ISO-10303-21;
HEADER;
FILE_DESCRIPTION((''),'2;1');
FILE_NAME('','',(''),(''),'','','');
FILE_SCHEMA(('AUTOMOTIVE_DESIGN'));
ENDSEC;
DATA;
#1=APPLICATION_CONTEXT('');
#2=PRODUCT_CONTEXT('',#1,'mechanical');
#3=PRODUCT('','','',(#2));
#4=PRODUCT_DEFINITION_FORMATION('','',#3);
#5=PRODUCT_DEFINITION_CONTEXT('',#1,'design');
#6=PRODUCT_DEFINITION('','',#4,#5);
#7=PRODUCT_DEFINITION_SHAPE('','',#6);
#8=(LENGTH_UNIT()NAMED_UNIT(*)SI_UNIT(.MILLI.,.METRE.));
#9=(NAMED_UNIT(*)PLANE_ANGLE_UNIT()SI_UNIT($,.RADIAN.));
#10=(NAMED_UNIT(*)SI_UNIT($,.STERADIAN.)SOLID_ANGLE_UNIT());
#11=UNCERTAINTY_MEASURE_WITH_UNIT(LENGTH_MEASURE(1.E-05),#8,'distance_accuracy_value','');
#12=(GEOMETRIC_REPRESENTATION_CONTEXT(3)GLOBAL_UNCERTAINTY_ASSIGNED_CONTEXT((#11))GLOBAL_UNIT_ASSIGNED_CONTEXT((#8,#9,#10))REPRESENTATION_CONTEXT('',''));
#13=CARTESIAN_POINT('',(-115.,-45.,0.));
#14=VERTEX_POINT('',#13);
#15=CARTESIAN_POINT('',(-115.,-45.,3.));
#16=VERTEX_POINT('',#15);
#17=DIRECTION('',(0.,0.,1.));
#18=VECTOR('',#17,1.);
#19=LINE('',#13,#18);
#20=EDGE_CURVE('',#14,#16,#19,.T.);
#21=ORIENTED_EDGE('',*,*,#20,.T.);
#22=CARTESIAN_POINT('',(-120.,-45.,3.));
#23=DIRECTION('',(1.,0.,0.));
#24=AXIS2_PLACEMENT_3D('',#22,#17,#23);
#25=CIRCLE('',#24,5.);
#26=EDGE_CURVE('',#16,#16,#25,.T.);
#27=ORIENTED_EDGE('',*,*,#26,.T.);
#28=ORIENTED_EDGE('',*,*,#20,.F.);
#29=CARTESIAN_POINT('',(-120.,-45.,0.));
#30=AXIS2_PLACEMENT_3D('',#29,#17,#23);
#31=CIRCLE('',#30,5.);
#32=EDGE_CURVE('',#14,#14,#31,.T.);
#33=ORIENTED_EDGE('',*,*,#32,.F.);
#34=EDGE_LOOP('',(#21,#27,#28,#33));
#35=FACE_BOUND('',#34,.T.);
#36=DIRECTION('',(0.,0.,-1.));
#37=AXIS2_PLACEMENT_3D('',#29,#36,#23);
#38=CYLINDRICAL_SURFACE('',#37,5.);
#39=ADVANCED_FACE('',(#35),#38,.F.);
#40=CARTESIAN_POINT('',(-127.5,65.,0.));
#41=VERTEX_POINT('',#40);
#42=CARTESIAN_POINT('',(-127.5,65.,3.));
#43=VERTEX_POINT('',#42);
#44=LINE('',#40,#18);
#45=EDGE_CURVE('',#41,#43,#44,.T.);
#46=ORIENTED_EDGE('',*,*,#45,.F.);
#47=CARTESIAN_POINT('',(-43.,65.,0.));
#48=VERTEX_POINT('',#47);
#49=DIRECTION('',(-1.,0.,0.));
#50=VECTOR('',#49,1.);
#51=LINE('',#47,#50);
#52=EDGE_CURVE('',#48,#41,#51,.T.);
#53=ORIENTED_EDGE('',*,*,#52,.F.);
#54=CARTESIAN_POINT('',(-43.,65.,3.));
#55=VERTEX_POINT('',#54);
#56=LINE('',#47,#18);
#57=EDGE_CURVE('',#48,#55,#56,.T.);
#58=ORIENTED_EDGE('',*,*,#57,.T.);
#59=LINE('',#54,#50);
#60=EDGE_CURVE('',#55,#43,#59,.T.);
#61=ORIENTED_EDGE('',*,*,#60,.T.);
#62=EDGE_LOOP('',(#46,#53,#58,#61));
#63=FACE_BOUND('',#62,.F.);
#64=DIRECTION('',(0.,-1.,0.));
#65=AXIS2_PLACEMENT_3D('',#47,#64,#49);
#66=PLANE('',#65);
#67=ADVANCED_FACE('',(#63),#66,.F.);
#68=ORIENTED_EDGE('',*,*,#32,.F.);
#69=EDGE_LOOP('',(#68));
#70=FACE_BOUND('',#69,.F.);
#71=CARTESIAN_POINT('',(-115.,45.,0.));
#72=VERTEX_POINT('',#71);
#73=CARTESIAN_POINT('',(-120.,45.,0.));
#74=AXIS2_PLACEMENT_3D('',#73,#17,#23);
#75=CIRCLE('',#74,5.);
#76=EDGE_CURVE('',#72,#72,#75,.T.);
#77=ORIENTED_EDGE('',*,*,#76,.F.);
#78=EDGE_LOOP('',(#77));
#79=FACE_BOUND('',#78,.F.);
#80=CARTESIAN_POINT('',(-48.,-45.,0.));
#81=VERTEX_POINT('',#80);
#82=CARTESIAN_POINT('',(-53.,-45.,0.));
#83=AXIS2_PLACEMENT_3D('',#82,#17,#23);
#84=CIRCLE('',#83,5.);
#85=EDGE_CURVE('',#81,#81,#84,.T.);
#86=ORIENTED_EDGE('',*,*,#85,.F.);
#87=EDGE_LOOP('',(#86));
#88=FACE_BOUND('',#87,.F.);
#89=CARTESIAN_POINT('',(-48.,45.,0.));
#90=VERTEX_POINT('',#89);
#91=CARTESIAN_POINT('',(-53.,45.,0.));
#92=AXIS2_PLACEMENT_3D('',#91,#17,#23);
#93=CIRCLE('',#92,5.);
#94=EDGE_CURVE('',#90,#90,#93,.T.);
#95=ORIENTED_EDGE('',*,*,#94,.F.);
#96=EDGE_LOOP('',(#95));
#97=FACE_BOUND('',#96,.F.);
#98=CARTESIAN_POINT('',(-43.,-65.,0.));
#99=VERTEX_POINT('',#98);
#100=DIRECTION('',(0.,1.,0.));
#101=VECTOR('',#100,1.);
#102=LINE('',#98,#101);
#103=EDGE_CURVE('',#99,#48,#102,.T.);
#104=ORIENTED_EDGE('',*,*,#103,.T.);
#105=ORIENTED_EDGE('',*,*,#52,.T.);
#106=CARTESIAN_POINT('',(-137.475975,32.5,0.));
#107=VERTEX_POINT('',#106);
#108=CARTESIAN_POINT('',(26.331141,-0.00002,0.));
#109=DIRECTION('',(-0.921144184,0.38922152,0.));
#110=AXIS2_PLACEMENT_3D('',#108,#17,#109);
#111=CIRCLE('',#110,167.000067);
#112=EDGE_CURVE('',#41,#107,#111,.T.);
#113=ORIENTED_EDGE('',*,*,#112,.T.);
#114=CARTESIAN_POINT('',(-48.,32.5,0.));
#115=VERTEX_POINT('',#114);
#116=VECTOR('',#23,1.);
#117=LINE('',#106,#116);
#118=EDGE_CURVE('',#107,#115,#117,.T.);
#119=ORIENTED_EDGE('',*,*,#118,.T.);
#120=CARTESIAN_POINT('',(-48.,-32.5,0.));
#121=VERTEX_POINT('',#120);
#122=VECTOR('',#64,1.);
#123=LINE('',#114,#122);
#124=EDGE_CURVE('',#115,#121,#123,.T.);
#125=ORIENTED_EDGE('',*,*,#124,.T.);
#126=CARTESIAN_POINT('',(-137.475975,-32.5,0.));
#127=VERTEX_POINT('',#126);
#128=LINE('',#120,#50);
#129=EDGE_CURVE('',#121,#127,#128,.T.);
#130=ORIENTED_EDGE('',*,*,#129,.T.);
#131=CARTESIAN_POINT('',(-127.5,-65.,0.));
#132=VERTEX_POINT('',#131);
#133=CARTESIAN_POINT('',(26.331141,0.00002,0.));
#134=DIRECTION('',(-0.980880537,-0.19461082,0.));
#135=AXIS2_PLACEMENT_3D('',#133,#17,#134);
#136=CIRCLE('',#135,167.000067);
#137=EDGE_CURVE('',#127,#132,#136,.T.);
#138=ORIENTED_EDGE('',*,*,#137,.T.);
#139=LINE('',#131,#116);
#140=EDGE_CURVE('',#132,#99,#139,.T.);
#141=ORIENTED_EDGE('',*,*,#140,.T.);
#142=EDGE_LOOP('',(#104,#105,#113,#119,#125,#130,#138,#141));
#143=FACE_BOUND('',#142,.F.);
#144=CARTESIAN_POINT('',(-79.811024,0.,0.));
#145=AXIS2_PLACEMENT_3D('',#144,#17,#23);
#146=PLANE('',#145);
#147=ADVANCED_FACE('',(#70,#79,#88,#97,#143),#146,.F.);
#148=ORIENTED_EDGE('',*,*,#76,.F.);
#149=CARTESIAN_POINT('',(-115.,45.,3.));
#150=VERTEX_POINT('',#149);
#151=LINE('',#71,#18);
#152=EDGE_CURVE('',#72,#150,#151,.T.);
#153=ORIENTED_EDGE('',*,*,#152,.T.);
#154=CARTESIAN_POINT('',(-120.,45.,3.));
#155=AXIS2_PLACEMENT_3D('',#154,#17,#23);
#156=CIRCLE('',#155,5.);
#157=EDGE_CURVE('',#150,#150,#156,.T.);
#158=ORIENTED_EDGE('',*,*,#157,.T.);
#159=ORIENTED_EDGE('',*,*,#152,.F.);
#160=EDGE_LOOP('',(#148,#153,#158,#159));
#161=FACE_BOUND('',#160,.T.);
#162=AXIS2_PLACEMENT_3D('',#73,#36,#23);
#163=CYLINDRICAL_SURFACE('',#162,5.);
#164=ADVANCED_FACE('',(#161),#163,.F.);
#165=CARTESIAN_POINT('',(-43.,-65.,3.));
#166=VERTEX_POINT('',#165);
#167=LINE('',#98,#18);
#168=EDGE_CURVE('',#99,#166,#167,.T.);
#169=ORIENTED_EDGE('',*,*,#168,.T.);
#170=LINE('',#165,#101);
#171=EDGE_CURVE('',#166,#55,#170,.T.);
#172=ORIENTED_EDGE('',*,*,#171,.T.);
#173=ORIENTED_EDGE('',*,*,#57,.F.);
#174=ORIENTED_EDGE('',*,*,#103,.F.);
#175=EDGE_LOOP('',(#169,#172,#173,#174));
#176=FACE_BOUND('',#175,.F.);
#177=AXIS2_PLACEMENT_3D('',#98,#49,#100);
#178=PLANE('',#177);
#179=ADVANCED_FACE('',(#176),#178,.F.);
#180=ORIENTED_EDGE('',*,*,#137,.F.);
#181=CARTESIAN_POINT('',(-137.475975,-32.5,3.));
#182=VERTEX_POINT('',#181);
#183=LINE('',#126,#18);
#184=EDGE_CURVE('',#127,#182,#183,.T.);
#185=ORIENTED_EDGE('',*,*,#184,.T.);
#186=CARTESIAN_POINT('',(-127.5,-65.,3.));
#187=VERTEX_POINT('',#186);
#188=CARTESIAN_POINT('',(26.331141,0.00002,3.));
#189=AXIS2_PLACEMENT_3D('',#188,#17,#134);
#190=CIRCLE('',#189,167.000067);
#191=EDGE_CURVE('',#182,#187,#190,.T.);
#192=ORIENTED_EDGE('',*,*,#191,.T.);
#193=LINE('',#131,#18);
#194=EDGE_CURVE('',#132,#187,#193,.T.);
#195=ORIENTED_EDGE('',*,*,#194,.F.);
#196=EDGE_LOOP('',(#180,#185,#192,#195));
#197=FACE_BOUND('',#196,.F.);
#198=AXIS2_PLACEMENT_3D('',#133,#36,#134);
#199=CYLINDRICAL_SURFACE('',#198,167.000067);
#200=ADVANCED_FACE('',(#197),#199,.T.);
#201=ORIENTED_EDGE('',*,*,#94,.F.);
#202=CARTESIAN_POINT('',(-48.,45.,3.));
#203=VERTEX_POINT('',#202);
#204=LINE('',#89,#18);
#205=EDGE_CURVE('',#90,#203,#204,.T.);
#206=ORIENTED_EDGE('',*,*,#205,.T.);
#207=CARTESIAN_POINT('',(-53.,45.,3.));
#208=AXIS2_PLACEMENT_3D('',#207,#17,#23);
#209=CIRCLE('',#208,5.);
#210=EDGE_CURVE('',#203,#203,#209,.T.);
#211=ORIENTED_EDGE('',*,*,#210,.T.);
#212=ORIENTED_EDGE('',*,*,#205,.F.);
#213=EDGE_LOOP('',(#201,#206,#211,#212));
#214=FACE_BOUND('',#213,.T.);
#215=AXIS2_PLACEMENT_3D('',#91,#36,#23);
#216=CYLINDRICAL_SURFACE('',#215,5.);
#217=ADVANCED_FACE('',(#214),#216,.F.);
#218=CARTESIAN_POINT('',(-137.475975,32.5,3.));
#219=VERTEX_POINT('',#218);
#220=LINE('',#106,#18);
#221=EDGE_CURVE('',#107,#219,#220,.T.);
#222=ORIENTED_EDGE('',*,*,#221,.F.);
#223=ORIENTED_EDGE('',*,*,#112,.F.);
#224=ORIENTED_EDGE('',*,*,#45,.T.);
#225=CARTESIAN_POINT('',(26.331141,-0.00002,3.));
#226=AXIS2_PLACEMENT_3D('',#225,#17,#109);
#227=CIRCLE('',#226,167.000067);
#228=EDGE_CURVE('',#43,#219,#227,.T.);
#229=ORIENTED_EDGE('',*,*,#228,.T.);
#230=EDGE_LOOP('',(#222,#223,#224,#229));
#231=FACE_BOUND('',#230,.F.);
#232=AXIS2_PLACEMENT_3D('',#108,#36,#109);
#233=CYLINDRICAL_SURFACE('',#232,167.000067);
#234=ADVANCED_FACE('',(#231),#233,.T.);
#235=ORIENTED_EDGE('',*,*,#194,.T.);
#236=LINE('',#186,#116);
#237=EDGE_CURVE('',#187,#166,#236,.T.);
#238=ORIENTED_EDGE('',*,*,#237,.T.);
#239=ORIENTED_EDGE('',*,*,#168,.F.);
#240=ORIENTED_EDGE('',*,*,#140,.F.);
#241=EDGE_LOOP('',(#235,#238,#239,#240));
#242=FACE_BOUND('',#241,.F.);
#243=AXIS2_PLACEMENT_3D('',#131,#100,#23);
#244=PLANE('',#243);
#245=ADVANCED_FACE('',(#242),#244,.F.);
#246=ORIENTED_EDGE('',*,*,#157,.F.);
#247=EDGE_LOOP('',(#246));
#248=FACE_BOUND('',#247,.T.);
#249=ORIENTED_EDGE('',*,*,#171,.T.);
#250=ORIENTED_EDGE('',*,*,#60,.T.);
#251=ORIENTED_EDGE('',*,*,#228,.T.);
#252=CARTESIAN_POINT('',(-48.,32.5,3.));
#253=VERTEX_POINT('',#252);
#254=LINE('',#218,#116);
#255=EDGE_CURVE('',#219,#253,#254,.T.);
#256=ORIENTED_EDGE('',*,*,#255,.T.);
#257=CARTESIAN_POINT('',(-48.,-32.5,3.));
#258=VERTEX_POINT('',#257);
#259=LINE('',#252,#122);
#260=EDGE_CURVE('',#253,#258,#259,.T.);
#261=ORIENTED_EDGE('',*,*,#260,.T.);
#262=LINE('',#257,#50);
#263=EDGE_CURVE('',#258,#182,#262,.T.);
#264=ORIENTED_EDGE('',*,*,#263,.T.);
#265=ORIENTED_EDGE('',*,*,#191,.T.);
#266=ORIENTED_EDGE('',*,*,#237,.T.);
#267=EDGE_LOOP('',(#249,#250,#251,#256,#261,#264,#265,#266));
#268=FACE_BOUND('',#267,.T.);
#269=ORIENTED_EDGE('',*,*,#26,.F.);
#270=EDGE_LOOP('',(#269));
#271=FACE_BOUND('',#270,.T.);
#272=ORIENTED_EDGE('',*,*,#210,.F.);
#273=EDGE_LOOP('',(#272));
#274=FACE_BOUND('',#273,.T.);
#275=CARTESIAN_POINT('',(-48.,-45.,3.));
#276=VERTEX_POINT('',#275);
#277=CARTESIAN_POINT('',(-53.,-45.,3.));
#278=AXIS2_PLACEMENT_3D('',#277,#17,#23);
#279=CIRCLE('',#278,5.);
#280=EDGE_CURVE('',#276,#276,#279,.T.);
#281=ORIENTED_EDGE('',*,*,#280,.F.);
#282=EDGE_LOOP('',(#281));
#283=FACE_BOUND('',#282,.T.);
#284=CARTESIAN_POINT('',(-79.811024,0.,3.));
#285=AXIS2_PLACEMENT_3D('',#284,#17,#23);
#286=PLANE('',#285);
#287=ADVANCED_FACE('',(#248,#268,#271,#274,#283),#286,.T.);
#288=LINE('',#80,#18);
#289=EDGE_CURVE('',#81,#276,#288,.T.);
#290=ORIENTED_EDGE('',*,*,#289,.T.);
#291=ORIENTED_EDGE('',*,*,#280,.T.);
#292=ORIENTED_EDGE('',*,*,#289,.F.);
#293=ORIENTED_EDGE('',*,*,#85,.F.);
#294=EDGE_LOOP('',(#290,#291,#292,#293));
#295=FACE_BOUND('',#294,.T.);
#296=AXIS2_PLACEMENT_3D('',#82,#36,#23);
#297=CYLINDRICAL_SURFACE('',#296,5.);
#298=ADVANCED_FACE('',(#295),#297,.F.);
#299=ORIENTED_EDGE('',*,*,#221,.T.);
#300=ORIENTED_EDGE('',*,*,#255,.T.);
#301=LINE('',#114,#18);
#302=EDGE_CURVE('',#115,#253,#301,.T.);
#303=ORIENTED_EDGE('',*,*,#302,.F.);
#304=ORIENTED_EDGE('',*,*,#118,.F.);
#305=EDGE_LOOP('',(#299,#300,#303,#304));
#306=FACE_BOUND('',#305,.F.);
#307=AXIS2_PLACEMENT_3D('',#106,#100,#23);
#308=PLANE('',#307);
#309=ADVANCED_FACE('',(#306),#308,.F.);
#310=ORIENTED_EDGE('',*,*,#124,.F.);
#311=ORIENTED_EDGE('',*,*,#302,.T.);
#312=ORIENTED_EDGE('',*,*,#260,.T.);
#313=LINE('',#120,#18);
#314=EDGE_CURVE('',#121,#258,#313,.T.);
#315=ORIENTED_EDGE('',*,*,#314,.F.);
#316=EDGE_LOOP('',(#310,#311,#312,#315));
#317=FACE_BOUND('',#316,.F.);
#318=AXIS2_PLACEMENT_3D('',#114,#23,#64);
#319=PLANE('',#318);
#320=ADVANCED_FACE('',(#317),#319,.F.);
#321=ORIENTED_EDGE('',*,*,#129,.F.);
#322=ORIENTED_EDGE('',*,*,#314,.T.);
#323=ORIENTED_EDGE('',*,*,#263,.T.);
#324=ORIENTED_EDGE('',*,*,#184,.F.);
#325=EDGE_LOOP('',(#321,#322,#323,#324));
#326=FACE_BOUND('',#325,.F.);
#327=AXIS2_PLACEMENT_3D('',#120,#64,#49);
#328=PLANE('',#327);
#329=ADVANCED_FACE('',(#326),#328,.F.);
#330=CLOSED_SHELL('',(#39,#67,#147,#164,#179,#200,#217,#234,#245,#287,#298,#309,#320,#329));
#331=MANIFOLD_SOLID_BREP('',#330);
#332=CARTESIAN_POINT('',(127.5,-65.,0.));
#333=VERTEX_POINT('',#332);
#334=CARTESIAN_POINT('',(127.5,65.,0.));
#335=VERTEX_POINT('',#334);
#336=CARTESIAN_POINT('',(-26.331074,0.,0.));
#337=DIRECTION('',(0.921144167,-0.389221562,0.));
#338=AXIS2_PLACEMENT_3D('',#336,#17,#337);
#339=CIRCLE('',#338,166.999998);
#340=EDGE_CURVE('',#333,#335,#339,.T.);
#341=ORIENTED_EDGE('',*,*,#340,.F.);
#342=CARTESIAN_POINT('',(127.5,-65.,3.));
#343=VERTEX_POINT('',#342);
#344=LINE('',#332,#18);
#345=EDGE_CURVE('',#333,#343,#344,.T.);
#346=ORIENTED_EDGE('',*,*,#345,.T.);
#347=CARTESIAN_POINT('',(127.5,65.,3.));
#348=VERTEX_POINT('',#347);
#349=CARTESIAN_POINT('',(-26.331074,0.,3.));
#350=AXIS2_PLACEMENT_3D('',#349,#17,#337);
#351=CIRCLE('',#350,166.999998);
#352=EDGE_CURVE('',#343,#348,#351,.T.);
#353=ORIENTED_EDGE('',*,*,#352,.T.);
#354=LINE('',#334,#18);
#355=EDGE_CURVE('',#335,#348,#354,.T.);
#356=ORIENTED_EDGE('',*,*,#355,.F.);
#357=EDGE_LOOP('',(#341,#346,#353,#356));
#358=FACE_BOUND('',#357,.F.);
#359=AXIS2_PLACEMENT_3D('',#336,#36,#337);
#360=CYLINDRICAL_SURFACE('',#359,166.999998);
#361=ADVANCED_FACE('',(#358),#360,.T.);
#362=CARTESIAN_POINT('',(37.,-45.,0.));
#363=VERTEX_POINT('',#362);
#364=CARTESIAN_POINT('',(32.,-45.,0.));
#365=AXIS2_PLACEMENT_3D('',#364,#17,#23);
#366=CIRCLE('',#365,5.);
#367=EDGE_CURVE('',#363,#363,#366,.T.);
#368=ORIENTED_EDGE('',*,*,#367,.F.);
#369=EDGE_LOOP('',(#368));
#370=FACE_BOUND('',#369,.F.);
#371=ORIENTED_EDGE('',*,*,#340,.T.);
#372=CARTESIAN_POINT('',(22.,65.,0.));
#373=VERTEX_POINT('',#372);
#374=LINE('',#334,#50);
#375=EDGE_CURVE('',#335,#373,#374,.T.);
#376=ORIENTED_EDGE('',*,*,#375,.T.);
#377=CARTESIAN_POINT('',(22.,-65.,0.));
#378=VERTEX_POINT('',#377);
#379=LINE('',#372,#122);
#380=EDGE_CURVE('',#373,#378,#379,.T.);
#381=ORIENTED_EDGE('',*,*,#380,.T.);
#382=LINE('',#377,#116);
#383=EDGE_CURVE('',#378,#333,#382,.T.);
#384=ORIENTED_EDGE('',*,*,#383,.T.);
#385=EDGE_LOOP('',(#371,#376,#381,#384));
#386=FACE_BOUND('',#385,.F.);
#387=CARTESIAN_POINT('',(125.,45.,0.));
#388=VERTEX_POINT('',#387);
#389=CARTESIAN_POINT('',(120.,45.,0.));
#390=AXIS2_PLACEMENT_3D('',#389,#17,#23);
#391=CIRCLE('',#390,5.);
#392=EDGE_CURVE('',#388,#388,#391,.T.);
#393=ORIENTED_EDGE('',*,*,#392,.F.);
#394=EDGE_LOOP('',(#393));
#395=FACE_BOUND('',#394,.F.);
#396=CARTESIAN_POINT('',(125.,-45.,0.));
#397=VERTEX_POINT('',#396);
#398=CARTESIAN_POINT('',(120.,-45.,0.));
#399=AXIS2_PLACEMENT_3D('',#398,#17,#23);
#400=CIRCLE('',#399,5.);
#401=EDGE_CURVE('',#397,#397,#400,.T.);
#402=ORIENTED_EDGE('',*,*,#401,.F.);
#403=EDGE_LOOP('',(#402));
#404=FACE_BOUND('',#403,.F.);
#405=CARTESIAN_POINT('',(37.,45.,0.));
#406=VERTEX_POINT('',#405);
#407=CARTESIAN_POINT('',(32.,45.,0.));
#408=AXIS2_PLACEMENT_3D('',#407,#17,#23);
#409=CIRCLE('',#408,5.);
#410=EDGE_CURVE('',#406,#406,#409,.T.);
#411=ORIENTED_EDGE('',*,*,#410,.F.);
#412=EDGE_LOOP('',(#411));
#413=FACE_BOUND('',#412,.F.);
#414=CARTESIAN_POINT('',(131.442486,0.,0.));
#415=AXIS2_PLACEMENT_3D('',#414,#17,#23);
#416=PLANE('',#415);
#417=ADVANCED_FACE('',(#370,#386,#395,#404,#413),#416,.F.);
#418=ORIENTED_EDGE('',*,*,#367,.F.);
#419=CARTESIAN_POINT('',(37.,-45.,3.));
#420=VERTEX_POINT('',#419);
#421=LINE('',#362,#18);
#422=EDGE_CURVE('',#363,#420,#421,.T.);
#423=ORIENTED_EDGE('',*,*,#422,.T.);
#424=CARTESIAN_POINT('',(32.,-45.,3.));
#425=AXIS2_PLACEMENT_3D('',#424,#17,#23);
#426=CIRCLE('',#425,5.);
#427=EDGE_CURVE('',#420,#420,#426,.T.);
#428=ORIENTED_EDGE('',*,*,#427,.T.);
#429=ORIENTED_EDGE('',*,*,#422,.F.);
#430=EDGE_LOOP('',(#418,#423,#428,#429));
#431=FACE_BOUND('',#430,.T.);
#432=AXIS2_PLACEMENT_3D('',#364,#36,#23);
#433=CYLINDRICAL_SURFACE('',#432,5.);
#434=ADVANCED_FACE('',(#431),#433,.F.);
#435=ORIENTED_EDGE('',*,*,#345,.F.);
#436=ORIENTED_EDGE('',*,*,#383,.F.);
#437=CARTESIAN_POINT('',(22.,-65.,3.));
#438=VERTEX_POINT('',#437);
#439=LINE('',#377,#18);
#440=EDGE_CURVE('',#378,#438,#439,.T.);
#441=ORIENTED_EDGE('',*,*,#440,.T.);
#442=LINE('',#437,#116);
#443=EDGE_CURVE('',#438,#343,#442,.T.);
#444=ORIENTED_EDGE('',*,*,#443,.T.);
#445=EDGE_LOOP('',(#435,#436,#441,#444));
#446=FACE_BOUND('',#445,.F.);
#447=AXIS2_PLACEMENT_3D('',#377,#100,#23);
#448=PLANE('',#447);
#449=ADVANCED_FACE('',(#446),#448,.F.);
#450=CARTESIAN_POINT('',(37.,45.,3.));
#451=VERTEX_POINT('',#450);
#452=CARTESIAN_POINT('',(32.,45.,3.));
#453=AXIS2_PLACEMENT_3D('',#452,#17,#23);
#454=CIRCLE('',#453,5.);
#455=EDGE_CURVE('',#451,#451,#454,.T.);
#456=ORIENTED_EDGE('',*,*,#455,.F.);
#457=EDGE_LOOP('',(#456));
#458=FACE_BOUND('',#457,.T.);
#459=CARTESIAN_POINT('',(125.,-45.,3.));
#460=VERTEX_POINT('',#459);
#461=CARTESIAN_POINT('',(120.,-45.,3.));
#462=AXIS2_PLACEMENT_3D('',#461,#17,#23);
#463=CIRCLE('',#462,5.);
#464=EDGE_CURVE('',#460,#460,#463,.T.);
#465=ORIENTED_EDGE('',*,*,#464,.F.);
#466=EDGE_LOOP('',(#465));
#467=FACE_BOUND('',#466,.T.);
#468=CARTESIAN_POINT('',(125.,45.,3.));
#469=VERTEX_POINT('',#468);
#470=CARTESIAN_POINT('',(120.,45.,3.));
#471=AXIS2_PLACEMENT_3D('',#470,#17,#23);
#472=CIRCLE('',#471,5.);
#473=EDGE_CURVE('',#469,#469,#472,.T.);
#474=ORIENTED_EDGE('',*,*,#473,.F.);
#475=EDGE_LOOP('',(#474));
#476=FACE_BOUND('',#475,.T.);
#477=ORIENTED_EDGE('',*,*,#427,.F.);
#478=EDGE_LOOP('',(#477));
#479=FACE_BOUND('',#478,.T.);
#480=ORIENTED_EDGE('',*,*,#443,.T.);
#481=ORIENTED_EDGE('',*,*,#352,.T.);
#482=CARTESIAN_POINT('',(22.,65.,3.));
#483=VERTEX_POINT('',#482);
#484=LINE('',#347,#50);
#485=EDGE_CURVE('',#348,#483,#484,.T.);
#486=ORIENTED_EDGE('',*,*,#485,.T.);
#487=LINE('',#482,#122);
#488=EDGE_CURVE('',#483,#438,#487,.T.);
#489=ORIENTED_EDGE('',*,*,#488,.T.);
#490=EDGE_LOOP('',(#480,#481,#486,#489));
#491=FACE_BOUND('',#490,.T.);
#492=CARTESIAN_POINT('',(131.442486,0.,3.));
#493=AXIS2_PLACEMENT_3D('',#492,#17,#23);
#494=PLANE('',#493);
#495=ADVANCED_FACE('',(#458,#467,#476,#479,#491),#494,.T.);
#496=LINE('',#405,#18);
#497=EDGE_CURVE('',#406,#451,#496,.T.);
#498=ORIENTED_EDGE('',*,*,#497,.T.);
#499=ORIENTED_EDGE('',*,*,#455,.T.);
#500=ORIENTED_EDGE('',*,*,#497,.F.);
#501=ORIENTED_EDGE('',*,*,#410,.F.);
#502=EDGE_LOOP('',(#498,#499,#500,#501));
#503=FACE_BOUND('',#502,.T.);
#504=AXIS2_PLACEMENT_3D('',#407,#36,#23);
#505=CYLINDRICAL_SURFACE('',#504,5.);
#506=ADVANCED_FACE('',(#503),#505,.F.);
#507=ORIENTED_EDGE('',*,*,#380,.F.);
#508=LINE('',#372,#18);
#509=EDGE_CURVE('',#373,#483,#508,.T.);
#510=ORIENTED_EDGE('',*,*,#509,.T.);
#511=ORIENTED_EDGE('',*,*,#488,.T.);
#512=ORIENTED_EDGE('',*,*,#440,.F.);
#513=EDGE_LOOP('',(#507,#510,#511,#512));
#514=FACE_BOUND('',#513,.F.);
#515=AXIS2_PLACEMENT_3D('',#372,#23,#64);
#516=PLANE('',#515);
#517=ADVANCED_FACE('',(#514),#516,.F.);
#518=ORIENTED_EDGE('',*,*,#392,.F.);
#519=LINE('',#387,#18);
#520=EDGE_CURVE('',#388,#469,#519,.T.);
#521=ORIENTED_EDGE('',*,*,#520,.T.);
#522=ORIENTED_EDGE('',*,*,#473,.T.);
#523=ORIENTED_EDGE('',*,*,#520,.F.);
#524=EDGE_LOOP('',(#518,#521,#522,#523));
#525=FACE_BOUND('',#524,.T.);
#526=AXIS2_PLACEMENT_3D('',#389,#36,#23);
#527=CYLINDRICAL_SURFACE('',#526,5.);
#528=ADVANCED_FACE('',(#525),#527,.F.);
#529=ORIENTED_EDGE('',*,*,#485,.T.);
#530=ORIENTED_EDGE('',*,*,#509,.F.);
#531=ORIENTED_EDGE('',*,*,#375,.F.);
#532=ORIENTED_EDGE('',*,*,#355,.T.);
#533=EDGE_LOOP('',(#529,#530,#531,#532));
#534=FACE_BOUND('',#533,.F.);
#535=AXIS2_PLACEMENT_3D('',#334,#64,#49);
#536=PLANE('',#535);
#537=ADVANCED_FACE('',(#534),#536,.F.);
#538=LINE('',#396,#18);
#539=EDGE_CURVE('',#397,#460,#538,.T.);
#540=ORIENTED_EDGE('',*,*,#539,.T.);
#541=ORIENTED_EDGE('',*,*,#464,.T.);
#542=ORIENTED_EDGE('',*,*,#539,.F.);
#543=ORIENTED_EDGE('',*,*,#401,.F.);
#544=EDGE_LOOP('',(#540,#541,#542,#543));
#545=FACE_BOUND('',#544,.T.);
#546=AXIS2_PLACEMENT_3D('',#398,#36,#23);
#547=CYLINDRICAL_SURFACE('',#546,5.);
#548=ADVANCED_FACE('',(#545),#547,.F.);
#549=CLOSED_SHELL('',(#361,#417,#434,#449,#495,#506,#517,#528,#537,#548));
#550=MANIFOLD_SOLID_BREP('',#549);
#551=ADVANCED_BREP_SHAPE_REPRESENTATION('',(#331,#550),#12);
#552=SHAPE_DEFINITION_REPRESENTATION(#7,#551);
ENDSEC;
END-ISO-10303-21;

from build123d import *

# Parameters (mm, degrees)
F0_R     = 5
F1_DEPTH = 3


with BuildPart() as f1:
    # F0 (on Top) → F1 (new body)
    with BuildSketch(Plane.XY):
        with BuildLine():
            Line((127.5, 65), (127.5, -65))
            ThreePointArc((127.5, -65), (140.668924, 0), (127.5, 65))
        make_face()
        with BuildLine():
            Line((-127.5, -65), (-43, -65))
            Line((-43, -65), (-43, 65))
            Line((-43, 65), (-85.25, 65))
            Line((-85.25, 65), (-127.5, 65))
            ThreePointArc((-127.5, 65), (-133.317154, 49.004515), (-137.475975, 32.5))
            Line((-137.475975, 32.5), (-48, 32.5))
            Line((-48, 32.5), (-48, -32.5))
            Line((-48, -32.5), (-137.475975, -32.5))
            ThreePointArc((-137.475975, -32.5), (-133.317154, -49.004515), (-127.5, -65))
        make_face()
        with Locations((-120, -45)):
            Circle(F0_R, mode=Mode.SUBTRACT)
        with Locations((-53, -45)):
            Circle(F0_R, mode=Mode.SUBTRACT)
        with Locations((-120, 45)):
            Circle(F0_R, mode=Mode.SUBTRACT)
        with Locations((-53, 45)):
            Circle(F0_R, mode=Mode.SUBTRACT)
        Polygon((22, -65), (127.5, -65), (127.5, 65), (74.75, 65), (22, 65), align=None)
        with Locations((32, -45)):
            Circle(F0_R, mode=Mode.SUBTRACT)
        with Locations((120, -45)):
            Circle(F0_R, mode=Mode.SUBTRACT)
        with Locations((32, 45)):
            Circle(F0_R, mode=Mode.SUBTRACT)
        with Locations((120, 45)):
            Circle(F0_R, mode=Mode.SUBTRACT)
    extrude(amount=F1_DEPTH)


solid = f1.part
